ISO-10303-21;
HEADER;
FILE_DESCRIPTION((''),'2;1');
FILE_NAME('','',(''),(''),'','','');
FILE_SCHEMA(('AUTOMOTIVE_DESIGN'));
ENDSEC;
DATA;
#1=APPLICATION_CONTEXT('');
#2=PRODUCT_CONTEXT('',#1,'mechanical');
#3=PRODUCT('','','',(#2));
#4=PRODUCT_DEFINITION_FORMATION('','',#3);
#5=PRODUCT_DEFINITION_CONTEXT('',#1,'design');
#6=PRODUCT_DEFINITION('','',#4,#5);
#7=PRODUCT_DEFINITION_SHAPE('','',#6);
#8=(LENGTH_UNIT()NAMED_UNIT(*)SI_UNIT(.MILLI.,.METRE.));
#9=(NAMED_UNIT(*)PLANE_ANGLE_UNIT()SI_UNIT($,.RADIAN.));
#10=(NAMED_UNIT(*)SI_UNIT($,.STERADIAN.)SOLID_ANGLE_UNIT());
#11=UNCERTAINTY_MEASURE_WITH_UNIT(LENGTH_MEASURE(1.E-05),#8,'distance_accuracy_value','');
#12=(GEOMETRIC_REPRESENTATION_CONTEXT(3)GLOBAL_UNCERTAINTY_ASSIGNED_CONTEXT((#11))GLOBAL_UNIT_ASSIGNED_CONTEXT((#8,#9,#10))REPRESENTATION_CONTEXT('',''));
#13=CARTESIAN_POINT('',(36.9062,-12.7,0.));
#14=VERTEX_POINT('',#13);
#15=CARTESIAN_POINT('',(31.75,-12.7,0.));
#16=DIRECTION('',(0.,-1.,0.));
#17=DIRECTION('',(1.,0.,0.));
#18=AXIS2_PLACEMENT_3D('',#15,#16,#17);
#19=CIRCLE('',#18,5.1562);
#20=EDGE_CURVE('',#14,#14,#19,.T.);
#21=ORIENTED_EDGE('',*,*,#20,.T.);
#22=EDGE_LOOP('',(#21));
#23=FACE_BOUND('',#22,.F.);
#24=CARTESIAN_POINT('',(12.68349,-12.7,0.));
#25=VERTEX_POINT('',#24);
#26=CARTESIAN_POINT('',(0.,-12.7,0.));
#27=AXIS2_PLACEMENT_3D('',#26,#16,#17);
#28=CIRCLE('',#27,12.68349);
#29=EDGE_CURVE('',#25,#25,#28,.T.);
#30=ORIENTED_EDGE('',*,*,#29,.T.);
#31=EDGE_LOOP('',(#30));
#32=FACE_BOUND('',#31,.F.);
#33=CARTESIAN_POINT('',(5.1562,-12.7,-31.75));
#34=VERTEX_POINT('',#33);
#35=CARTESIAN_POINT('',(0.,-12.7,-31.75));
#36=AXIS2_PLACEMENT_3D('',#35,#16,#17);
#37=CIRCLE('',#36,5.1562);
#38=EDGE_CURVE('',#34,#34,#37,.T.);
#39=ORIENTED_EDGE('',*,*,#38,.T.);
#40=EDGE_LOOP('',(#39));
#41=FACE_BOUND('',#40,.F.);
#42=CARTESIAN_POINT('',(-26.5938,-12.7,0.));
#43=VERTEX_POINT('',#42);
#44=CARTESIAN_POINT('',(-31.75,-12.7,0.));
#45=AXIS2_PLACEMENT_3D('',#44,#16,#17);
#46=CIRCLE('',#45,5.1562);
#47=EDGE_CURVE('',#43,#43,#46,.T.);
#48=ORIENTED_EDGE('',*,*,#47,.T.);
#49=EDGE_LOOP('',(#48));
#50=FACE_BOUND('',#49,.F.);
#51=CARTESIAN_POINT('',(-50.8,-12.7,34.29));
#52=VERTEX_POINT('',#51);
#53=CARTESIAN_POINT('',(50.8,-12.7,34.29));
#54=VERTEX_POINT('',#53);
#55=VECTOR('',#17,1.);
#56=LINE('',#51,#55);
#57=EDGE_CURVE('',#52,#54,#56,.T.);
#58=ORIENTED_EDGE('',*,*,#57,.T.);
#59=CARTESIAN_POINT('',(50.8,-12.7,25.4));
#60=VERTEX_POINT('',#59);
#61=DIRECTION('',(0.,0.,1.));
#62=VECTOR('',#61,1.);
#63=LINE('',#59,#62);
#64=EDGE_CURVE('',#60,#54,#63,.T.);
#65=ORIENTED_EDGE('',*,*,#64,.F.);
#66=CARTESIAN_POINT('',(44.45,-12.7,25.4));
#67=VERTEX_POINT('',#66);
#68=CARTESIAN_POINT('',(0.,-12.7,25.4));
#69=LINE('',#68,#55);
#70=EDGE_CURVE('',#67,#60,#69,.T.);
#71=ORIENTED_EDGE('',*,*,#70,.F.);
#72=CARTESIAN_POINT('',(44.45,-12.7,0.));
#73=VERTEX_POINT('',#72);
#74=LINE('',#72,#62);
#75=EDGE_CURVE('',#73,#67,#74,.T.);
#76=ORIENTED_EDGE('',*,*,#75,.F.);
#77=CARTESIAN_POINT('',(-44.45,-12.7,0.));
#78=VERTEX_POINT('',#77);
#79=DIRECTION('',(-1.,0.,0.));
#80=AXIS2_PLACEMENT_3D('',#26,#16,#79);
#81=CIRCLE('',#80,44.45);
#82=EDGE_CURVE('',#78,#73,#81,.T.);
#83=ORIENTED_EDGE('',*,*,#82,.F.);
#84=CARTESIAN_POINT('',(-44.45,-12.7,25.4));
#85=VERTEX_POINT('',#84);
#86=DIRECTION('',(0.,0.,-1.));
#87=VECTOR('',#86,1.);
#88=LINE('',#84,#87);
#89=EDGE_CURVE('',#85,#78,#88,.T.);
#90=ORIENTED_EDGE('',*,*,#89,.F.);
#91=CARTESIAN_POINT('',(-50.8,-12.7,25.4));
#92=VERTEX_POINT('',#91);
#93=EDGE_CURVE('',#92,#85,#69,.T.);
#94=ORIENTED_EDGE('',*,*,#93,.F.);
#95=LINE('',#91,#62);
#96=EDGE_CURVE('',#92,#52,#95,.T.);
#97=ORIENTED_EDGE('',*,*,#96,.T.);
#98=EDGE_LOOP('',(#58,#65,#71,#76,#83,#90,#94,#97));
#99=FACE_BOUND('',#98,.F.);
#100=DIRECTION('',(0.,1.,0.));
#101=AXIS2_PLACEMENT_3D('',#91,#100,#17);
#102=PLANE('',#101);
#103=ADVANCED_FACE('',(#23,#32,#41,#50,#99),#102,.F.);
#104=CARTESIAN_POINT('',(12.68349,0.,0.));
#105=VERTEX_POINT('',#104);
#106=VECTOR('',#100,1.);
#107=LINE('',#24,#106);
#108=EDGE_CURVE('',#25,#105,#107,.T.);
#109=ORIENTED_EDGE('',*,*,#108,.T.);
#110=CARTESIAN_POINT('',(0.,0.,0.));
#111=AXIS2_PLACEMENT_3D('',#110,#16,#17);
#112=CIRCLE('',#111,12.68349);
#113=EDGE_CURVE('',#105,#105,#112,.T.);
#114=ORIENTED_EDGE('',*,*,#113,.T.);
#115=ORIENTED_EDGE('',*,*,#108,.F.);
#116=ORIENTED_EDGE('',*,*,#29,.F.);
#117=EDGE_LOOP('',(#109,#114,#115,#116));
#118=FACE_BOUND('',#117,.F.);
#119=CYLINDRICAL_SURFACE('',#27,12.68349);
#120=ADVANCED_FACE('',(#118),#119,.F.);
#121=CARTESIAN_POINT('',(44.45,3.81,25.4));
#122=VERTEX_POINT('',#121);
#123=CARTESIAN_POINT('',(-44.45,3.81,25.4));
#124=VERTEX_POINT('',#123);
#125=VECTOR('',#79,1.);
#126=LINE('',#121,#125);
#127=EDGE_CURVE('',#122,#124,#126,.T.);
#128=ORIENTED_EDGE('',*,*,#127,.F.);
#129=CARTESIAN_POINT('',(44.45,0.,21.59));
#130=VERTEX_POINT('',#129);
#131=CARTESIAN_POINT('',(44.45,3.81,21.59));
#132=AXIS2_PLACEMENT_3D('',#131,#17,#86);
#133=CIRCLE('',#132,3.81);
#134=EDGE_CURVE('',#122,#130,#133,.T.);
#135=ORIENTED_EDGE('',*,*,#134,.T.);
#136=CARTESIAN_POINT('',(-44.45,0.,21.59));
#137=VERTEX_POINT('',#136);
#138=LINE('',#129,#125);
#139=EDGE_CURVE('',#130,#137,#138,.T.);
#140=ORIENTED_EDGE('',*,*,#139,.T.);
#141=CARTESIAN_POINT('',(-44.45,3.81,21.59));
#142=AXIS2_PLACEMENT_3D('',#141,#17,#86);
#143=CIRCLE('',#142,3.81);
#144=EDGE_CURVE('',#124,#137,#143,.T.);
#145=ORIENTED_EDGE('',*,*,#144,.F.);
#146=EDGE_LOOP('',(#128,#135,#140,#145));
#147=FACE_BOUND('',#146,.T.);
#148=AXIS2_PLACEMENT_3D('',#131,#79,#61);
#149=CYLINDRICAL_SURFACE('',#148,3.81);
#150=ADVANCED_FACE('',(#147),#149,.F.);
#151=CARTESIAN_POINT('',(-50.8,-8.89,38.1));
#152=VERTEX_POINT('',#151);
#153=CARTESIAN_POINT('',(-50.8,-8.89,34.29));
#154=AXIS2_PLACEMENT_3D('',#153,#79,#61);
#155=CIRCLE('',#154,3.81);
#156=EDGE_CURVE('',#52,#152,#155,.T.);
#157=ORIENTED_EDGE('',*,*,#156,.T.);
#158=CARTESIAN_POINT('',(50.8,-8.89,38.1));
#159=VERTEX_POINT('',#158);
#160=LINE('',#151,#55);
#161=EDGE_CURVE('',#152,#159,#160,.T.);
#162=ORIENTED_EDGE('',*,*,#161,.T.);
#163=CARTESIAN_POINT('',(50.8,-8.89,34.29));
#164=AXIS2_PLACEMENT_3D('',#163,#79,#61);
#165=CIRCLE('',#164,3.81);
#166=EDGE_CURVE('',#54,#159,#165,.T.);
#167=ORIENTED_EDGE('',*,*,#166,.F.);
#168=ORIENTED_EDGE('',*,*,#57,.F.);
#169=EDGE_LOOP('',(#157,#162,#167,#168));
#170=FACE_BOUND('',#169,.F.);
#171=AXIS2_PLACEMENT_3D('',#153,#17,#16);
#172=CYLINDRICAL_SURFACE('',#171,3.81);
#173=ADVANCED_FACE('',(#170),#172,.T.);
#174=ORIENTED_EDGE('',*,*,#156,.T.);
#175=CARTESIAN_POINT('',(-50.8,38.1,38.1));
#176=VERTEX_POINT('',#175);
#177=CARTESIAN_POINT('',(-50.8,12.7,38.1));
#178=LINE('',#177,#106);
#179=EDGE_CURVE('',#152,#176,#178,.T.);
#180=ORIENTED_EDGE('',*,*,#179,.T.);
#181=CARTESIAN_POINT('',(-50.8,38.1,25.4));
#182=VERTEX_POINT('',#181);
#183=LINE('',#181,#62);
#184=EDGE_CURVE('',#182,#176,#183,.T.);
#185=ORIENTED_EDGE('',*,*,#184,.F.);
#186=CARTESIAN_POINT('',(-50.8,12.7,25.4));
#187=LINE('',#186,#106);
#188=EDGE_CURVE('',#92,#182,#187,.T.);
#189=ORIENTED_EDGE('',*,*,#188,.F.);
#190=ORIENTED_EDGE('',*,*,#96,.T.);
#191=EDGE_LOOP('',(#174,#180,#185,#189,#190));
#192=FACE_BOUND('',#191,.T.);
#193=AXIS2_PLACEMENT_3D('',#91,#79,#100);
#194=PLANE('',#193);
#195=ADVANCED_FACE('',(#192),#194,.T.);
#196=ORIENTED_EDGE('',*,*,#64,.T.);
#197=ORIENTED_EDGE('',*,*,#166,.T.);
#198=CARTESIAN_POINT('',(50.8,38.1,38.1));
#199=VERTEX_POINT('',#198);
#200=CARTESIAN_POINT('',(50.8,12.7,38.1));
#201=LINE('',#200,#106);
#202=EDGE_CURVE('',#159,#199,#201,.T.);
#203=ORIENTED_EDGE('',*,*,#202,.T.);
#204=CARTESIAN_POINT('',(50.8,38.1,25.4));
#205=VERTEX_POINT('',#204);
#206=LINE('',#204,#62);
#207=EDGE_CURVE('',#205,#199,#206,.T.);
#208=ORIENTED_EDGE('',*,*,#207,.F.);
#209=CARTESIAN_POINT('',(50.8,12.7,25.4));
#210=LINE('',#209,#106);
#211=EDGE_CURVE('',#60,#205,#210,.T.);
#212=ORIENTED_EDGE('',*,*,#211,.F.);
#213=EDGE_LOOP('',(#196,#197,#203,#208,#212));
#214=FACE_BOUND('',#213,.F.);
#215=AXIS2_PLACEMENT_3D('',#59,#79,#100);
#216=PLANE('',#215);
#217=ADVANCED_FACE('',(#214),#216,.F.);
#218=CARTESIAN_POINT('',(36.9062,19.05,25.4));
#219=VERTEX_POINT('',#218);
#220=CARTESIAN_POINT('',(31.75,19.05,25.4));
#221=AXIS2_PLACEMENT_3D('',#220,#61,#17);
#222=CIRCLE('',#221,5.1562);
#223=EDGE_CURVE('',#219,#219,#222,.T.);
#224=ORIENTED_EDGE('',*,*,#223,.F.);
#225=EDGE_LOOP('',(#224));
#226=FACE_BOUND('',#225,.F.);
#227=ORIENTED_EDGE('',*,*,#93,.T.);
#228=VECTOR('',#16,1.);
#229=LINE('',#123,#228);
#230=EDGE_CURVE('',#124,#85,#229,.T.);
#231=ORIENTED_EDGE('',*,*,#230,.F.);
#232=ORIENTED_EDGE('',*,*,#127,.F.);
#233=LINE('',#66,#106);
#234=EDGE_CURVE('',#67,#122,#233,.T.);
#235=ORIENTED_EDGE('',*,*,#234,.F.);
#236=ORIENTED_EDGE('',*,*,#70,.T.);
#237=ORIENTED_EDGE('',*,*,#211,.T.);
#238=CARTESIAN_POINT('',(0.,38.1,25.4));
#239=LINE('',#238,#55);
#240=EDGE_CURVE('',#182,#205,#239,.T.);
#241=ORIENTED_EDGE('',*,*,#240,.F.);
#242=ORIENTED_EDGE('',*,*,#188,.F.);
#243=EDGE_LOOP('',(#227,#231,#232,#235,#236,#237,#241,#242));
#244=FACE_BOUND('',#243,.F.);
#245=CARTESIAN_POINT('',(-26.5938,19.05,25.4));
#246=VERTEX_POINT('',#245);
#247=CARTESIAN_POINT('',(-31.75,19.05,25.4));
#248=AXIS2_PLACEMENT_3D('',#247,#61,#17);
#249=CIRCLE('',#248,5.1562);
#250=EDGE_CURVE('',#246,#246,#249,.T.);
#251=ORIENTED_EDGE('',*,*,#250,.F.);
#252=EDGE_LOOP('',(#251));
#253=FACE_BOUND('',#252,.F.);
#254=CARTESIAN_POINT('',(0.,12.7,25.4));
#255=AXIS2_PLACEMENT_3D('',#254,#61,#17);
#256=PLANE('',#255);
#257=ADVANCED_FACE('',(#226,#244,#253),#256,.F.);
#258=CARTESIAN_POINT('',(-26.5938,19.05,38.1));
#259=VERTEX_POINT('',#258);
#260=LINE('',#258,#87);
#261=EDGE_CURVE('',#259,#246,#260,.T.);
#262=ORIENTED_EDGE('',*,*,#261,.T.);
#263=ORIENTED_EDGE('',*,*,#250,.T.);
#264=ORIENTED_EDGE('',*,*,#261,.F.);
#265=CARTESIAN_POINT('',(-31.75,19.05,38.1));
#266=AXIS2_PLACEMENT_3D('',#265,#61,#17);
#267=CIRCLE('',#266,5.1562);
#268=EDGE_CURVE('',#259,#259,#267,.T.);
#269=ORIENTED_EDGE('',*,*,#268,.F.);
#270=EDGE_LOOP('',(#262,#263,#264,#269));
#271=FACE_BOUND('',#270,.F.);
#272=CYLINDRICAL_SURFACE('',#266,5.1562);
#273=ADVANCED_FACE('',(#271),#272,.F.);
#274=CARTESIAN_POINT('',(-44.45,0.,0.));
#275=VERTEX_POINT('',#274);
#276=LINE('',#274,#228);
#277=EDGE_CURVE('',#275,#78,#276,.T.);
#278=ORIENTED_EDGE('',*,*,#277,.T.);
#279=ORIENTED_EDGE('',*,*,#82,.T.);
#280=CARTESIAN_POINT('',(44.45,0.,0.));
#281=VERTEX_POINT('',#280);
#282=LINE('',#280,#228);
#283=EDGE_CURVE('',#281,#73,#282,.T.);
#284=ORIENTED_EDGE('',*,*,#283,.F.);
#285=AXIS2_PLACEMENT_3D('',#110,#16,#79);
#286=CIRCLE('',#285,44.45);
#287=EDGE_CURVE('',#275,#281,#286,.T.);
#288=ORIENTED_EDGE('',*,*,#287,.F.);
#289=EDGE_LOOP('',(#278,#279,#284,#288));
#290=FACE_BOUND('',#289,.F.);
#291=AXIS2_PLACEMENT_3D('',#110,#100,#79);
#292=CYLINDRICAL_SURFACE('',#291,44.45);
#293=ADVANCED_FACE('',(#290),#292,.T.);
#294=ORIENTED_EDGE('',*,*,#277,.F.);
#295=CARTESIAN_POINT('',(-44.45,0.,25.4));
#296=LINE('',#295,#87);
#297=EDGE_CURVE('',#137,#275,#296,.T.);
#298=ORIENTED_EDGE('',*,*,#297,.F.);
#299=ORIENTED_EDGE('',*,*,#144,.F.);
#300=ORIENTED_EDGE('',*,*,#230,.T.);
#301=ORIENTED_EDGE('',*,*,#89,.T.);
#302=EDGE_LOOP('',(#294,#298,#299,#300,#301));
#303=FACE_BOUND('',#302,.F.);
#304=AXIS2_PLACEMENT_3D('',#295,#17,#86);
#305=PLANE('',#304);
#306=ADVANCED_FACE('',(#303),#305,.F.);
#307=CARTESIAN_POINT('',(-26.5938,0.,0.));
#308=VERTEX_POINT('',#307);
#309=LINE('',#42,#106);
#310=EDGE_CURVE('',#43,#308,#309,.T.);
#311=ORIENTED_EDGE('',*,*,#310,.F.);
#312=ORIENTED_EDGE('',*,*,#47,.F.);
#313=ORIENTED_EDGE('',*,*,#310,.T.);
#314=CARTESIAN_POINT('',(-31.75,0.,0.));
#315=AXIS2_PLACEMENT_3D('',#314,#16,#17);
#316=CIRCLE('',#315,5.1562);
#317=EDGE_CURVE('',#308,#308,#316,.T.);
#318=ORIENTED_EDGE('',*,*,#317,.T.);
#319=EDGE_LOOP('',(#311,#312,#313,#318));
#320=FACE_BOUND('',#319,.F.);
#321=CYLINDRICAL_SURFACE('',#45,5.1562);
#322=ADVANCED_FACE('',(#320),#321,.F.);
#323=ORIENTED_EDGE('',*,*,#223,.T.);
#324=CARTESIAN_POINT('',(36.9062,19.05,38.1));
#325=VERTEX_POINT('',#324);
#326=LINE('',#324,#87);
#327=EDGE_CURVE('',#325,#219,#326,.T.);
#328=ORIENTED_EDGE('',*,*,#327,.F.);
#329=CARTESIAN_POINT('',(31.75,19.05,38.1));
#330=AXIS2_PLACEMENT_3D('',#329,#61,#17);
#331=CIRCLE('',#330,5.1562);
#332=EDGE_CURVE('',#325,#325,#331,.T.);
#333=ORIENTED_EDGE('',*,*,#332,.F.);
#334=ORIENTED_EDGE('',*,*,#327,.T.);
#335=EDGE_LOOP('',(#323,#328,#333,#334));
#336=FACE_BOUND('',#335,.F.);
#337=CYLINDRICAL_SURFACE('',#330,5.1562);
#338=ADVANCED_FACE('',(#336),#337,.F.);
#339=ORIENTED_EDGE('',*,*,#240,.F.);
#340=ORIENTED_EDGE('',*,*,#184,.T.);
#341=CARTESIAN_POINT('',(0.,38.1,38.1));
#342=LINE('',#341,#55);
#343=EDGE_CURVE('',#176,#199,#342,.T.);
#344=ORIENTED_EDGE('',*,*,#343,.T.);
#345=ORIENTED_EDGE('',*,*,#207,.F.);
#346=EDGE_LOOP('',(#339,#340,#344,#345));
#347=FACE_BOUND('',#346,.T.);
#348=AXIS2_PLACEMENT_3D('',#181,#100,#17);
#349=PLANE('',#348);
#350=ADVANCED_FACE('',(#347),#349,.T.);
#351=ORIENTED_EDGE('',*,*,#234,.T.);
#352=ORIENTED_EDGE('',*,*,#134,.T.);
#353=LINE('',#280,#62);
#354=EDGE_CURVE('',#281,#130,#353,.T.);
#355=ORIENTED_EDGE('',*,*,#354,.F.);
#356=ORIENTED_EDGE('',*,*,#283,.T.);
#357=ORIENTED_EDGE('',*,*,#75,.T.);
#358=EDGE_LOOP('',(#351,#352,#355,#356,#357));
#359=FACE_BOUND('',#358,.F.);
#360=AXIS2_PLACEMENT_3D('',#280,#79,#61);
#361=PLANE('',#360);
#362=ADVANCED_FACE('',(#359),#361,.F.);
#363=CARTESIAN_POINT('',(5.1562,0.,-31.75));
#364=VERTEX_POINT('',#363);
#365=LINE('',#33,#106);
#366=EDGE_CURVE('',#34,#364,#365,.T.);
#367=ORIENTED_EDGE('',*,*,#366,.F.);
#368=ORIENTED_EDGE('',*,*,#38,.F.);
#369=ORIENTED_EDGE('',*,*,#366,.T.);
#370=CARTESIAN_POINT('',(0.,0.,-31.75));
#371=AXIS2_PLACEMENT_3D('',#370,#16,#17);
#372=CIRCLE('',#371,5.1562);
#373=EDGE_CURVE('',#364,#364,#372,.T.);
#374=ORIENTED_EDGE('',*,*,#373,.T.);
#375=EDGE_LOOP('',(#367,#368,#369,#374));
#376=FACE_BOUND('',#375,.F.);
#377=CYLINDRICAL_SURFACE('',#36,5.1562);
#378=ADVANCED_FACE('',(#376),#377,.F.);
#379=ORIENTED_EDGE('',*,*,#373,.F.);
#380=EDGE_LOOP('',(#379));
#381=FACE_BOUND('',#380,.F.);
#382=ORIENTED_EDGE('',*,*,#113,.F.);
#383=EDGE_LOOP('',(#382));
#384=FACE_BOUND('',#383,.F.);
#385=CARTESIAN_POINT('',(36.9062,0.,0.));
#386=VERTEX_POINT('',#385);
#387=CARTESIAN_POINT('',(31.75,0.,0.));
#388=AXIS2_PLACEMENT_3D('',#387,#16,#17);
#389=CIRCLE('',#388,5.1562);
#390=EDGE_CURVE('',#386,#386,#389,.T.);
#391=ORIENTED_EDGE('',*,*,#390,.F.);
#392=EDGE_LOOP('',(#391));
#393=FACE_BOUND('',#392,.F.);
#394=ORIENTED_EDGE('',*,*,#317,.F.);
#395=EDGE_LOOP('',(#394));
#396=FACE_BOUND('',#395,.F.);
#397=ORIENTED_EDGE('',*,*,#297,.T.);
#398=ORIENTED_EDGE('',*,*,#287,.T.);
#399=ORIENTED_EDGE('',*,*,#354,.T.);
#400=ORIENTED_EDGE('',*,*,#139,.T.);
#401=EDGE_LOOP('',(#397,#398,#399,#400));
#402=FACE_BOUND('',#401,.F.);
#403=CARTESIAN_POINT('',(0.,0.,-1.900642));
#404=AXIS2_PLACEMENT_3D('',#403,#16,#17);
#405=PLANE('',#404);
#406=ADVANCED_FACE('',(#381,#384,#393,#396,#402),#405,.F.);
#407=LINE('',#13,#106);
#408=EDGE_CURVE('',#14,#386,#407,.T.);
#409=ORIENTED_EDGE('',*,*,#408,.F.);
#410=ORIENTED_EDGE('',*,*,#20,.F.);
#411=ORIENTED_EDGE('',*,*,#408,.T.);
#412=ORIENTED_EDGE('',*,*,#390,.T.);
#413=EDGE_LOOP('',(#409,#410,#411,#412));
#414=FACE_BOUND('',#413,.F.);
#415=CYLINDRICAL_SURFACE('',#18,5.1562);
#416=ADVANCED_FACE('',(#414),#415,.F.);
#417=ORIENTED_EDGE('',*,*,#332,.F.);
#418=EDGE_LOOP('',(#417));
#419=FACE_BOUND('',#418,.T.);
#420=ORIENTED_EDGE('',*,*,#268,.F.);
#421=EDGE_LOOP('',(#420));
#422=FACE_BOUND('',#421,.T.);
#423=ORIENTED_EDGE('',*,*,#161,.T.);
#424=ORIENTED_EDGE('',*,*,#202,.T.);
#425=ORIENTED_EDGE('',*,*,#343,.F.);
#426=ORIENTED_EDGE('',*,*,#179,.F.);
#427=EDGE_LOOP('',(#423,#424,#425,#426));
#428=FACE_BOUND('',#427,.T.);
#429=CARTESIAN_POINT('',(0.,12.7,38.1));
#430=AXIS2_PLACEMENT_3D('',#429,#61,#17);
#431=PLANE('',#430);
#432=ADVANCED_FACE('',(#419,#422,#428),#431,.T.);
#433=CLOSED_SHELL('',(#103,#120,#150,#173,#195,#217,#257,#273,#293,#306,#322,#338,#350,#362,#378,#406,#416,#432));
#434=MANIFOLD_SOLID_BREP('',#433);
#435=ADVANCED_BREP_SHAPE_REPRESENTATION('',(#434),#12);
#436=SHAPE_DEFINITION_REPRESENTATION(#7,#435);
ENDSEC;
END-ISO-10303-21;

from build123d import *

# Parameters (mm, degrees)
F1_DEPTH = 12.7
F2_W     = 101.6
F2_H     = 50.8
F3_DEPTH = 12.7
F4_R     = 12.68349
F5_DEPTH = 25.4
F6_R     = 5.1562
F7_DEPTH = 25.4
F8_R     = 5.1562
F9_DEPTH = 25.4
F10_R    = 3.81


with BuildPart() as f1:
    # F0 (on Front) → F1 (new body)
    with BuildSketch(Plane.XZ):
        with BuildLine():
            Line((-44.45, 25.4), (-44.45, 0))
            ThreePointArc((-44.45, 0), (0, -44.45), (44.45, 0))
            Line((44.45, 0), (44.45, 25.4))
            Line((44.45, 25.4), (-44.45, 25.4))
        make_face()
    extrude(amount=F1_DEPTH)

    # F2 (on face) → F3 (join)
    with BuildSketch(Plane.XY.offset(25.4)):
        with Locations((0, 12.7)):
            Rectangle(F2_W, F2_H)
    extrude(amount=F3_DEPTH)

    # F4 (on face) → F5 (cut)
    with BuildSketch(Plane.XZ.offset(12.7)):
        Circle(F4_R)
    extrude(amount=-F5_DEPTH, mode=Mode.SUBTRACT)

    # F6 (on face) → F7 (cut)
    with BuildSketch(Plane.XZ.offset(12.7)):
        with Locations((0, -31.75)):
            Circle(F6_R)
        with Locations((-31.75, 0)):
            Circle(F6_R)
        with Locations((31.75, 0)):
            Circle(F6_R)
    extrude(amount=-F7_DEPTH, mode=Mode.SUBTRACT)

    # F8 (on face) → F9 (cut)
    with BuildSketch(Plane.XY.offset(38.1)):
        with Locations((-31.75, 19.05)):
            Circle(F8_R)
        with Locations((31.75, 19.05)):
            Circle(F8_R)
    extrude(amount=-F9_DEPTH, mode=Mode.SUBTRACT)

    # F10
    f10_edges = [f1.edges().sort_by_distance(p)[0] for p in [
        (0, 0, 25.4),
        (0, -12.7, 38.1),
    ]]
    fillet(f10_edges, radius=F10_R)


solid = f1.part
